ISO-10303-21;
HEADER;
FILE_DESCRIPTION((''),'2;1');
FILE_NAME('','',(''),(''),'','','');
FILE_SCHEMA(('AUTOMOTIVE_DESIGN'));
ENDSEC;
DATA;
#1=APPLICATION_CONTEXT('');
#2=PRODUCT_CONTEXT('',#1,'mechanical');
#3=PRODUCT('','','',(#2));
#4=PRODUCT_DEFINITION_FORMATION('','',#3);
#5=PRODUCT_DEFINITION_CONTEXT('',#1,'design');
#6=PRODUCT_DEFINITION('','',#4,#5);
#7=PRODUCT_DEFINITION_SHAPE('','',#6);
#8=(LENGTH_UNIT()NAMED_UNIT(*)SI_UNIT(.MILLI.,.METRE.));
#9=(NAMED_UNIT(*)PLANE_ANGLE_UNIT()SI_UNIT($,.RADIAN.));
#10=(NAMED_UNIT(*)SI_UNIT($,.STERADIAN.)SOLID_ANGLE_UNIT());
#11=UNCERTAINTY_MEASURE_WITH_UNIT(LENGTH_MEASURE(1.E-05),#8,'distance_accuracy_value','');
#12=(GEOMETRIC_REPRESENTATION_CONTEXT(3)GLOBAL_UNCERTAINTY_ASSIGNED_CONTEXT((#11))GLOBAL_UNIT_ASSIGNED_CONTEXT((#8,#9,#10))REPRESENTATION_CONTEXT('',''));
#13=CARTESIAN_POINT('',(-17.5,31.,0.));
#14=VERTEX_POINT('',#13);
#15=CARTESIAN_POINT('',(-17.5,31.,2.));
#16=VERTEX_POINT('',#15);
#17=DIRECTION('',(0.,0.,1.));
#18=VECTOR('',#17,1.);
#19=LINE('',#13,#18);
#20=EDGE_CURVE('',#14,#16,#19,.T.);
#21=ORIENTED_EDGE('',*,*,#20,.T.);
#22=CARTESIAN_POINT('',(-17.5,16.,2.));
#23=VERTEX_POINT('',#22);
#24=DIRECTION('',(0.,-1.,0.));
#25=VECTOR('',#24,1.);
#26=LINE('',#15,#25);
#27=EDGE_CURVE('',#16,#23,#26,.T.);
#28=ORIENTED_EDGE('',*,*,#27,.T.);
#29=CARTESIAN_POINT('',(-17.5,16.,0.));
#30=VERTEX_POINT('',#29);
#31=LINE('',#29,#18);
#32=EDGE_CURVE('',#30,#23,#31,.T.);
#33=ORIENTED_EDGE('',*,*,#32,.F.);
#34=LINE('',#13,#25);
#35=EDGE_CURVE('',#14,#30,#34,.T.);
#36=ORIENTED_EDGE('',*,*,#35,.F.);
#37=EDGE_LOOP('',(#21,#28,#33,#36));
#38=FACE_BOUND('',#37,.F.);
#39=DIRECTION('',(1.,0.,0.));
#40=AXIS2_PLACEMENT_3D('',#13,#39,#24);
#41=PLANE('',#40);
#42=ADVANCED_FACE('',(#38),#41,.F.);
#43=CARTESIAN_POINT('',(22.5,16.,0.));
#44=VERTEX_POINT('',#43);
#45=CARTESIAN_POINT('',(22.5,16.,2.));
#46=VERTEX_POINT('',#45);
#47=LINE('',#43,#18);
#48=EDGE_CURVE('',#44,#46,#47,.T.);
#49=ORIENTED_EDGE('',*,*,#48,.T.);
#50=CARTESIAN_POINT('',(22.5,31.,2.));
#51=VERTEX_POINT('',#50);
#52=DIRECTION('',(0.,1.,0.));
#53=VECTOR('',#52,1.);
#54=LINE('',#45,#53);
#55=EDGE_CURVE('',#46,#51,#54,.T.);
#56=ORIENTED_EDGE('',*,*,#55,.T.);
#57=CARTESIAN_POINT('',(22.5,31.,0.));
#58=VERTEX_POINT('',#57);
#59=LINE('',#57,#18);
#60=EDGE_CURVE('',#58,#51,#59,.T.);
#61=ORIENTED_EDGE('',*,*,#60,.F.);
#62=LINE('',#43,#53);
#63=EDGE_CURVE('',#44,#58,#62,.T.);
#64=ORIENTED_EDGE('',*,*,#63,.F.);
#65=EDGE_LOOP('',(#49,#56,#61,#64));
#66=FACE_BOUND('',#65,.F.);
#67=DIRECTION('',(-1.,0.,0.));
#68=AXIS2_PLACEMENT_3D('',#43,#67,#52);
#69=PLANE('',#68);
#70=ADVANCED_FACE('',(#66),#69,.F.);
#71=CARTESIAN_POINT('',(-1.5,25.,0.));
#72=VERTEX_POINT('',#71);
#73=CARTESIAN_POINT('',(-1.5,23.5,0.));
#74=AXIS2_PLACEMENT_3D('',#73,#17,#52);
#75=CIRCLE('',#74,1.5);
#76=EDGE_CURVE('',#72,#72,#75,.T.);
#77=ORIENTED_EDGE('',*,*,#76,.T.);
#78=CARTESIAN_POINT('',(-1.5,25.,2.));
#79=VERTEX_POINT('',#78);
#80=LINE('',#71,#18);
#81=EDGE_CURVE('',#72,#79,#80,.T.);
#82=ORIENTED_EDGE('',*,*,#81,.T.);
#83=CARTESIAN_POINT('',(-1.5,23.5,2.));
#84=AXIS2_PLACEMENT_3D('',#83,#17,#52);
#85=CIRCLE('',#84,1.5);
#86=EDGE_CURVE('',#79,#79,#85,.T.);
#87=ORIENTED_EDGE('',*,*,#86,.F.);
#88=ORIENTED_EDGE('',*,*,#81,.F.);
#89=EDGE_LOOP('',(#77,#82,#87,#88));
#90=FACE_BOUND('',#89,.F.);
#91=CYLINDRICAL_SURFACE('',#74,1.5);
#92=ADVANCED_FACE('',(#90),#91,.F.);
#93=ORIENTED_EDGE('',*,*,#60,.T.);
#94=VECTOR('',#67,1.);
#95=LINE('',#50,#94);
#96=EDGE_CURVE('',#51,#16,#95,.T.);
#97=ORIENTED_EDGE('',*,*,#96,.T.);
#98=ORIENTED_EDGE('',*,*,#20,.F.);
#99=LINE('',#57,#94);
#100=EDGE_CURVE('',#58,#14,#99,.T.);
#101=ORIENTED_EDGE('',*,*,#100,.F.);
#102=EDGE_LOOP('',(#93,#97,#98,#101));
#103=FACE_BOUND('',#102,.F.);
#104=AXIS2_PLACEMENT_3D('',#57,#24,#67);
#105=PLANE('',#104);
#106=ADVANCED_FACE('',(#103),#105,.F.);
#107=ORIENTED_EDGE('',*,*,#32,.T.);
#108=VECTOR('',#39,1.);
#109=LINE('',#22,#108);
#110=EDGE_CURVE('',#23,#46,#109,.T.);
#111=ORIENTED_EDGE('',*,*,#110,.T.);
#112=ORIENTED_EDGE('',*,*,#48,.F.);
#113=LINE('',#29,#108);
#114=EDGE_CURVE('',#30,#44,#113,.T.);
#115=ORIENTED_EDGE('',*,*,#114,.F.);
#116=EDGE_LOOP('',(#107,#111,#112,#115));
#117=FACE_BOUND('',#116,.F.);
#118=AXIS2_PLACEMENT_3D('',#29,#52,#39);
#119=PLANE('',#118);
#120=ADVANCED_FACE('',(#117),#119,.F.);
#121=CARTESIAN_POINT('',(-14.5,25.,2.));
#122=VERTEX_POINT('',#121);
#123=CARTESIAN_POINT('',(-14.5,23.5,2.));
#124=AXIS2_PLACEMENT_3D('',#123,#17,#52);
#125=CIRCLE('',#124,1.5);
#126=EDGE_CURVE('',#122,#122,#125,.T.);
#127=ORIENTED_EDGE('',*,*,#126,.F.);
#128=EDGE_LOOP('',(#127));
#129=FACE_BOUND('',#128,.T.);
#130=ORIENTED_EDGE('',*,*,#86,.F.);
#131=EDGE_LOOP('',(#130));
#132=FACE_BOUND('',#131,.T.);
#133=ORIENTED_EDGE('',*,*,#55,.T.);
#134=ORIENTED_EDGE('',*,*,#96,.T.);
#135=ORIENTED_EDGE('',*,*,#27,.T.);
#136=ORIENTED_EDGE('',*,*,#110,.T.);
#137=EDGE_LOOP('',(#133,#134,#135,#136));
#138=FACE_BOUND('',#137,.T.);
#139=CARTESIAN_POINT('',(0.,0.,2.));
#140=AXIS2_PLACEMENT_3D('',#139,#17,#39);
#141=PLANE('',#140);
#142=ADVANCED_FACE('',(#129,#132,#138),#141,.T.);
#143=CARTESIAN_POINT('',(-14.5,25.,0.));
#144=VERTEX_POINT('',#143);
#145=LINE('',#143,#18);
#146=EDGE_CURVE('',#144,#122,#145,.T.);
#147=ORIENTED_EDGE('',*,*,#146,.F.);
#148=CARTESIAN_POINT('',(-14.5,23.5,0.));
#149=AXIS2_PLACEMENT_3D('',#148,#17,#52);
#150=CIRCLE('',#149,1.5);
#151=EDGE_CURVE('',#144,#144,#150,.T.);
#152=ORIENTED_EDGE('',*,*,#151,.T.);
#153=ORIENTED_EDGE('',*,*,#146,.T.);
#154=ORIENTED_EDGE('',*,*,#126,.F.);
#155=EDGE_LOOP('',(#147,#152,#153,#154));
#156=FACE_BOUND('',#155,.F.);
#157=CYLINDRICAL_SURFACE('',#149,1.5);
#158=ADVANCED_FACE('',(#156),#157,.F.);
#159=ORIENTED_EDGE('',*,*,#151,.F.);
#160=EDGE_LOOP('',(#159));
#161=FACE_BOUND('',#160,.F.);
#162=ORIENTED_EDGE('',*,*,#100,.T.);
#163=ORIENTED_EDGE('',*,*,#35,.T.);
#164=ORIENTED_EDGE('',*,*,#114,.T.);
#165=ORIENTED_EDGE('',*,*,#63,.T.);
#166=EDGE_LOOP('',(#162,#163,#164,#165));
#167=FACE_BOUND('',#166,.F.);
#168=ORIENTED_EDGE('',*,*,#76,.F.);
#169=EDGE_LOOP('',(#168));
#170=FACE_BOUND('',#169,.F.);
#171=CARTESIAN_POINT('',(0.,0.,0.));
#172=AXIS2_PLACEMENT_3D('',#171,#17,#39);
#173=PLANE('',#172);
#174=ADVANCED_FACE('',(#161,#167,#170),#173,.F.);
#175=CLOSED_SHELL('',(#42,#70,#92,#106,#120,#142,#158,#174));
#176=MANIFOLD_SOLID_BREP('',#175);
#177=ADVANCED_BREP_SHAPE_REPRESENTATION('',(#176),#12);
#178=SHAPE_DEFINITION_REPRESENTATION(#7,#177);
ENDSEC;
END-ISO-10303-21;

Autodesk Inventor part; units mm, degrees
ref_plane "YZ Plane" through (0, 0, 0) normal (1, 0, 0) x (0, 1, 0)
ref_plane "XZ Plane" through (0, 0, 0) normal (0, 1, 0) x (-1, 0, 0)
ref_plane "XY Plane" through (0, 0, 0) normal (0, 0, 1) x (1, 0, 0)
ref_plane "Work Plane1" through (0, 0, 0) normal (0, 0, 1) x (1, 0, 0)
sketch "Sketch2" plane through (0, 0, 0) normal (0, 0, 1) x (1, 0, 0)
  line L0 (22.5, 31) -> (-17.5, 31)
  line L1 (-17.5, 31) -> (-17.5, 16)
  line L2 (-17.5, 16) -> (22.5, 16)
  line L3 (22.5, 16) -> (22.5, 31)
  point P0 (0, 0)
  dimension "d1" = 15
  dimension "d4" = 40
  dimension "d5" = 22.5
  dimension "d6" = 31
extrude "Extrusion1" add sketch "Sketch2" along normal blind 2
hole "Hole1" at (-14.5, 23.5, 0) direction (0, 0, 1) diameter 3 end through all
hole "Hole2" at (-1.5, 23.5, 0) direction (0, 0, 1) diameter 3 end through all
equation "\"d8\" = 0.5 * d1"
equation "\"d17\" = 0.5 * d1"
properties part number "HTD-5M-belt-clamp" material "Aluminum 6061"
